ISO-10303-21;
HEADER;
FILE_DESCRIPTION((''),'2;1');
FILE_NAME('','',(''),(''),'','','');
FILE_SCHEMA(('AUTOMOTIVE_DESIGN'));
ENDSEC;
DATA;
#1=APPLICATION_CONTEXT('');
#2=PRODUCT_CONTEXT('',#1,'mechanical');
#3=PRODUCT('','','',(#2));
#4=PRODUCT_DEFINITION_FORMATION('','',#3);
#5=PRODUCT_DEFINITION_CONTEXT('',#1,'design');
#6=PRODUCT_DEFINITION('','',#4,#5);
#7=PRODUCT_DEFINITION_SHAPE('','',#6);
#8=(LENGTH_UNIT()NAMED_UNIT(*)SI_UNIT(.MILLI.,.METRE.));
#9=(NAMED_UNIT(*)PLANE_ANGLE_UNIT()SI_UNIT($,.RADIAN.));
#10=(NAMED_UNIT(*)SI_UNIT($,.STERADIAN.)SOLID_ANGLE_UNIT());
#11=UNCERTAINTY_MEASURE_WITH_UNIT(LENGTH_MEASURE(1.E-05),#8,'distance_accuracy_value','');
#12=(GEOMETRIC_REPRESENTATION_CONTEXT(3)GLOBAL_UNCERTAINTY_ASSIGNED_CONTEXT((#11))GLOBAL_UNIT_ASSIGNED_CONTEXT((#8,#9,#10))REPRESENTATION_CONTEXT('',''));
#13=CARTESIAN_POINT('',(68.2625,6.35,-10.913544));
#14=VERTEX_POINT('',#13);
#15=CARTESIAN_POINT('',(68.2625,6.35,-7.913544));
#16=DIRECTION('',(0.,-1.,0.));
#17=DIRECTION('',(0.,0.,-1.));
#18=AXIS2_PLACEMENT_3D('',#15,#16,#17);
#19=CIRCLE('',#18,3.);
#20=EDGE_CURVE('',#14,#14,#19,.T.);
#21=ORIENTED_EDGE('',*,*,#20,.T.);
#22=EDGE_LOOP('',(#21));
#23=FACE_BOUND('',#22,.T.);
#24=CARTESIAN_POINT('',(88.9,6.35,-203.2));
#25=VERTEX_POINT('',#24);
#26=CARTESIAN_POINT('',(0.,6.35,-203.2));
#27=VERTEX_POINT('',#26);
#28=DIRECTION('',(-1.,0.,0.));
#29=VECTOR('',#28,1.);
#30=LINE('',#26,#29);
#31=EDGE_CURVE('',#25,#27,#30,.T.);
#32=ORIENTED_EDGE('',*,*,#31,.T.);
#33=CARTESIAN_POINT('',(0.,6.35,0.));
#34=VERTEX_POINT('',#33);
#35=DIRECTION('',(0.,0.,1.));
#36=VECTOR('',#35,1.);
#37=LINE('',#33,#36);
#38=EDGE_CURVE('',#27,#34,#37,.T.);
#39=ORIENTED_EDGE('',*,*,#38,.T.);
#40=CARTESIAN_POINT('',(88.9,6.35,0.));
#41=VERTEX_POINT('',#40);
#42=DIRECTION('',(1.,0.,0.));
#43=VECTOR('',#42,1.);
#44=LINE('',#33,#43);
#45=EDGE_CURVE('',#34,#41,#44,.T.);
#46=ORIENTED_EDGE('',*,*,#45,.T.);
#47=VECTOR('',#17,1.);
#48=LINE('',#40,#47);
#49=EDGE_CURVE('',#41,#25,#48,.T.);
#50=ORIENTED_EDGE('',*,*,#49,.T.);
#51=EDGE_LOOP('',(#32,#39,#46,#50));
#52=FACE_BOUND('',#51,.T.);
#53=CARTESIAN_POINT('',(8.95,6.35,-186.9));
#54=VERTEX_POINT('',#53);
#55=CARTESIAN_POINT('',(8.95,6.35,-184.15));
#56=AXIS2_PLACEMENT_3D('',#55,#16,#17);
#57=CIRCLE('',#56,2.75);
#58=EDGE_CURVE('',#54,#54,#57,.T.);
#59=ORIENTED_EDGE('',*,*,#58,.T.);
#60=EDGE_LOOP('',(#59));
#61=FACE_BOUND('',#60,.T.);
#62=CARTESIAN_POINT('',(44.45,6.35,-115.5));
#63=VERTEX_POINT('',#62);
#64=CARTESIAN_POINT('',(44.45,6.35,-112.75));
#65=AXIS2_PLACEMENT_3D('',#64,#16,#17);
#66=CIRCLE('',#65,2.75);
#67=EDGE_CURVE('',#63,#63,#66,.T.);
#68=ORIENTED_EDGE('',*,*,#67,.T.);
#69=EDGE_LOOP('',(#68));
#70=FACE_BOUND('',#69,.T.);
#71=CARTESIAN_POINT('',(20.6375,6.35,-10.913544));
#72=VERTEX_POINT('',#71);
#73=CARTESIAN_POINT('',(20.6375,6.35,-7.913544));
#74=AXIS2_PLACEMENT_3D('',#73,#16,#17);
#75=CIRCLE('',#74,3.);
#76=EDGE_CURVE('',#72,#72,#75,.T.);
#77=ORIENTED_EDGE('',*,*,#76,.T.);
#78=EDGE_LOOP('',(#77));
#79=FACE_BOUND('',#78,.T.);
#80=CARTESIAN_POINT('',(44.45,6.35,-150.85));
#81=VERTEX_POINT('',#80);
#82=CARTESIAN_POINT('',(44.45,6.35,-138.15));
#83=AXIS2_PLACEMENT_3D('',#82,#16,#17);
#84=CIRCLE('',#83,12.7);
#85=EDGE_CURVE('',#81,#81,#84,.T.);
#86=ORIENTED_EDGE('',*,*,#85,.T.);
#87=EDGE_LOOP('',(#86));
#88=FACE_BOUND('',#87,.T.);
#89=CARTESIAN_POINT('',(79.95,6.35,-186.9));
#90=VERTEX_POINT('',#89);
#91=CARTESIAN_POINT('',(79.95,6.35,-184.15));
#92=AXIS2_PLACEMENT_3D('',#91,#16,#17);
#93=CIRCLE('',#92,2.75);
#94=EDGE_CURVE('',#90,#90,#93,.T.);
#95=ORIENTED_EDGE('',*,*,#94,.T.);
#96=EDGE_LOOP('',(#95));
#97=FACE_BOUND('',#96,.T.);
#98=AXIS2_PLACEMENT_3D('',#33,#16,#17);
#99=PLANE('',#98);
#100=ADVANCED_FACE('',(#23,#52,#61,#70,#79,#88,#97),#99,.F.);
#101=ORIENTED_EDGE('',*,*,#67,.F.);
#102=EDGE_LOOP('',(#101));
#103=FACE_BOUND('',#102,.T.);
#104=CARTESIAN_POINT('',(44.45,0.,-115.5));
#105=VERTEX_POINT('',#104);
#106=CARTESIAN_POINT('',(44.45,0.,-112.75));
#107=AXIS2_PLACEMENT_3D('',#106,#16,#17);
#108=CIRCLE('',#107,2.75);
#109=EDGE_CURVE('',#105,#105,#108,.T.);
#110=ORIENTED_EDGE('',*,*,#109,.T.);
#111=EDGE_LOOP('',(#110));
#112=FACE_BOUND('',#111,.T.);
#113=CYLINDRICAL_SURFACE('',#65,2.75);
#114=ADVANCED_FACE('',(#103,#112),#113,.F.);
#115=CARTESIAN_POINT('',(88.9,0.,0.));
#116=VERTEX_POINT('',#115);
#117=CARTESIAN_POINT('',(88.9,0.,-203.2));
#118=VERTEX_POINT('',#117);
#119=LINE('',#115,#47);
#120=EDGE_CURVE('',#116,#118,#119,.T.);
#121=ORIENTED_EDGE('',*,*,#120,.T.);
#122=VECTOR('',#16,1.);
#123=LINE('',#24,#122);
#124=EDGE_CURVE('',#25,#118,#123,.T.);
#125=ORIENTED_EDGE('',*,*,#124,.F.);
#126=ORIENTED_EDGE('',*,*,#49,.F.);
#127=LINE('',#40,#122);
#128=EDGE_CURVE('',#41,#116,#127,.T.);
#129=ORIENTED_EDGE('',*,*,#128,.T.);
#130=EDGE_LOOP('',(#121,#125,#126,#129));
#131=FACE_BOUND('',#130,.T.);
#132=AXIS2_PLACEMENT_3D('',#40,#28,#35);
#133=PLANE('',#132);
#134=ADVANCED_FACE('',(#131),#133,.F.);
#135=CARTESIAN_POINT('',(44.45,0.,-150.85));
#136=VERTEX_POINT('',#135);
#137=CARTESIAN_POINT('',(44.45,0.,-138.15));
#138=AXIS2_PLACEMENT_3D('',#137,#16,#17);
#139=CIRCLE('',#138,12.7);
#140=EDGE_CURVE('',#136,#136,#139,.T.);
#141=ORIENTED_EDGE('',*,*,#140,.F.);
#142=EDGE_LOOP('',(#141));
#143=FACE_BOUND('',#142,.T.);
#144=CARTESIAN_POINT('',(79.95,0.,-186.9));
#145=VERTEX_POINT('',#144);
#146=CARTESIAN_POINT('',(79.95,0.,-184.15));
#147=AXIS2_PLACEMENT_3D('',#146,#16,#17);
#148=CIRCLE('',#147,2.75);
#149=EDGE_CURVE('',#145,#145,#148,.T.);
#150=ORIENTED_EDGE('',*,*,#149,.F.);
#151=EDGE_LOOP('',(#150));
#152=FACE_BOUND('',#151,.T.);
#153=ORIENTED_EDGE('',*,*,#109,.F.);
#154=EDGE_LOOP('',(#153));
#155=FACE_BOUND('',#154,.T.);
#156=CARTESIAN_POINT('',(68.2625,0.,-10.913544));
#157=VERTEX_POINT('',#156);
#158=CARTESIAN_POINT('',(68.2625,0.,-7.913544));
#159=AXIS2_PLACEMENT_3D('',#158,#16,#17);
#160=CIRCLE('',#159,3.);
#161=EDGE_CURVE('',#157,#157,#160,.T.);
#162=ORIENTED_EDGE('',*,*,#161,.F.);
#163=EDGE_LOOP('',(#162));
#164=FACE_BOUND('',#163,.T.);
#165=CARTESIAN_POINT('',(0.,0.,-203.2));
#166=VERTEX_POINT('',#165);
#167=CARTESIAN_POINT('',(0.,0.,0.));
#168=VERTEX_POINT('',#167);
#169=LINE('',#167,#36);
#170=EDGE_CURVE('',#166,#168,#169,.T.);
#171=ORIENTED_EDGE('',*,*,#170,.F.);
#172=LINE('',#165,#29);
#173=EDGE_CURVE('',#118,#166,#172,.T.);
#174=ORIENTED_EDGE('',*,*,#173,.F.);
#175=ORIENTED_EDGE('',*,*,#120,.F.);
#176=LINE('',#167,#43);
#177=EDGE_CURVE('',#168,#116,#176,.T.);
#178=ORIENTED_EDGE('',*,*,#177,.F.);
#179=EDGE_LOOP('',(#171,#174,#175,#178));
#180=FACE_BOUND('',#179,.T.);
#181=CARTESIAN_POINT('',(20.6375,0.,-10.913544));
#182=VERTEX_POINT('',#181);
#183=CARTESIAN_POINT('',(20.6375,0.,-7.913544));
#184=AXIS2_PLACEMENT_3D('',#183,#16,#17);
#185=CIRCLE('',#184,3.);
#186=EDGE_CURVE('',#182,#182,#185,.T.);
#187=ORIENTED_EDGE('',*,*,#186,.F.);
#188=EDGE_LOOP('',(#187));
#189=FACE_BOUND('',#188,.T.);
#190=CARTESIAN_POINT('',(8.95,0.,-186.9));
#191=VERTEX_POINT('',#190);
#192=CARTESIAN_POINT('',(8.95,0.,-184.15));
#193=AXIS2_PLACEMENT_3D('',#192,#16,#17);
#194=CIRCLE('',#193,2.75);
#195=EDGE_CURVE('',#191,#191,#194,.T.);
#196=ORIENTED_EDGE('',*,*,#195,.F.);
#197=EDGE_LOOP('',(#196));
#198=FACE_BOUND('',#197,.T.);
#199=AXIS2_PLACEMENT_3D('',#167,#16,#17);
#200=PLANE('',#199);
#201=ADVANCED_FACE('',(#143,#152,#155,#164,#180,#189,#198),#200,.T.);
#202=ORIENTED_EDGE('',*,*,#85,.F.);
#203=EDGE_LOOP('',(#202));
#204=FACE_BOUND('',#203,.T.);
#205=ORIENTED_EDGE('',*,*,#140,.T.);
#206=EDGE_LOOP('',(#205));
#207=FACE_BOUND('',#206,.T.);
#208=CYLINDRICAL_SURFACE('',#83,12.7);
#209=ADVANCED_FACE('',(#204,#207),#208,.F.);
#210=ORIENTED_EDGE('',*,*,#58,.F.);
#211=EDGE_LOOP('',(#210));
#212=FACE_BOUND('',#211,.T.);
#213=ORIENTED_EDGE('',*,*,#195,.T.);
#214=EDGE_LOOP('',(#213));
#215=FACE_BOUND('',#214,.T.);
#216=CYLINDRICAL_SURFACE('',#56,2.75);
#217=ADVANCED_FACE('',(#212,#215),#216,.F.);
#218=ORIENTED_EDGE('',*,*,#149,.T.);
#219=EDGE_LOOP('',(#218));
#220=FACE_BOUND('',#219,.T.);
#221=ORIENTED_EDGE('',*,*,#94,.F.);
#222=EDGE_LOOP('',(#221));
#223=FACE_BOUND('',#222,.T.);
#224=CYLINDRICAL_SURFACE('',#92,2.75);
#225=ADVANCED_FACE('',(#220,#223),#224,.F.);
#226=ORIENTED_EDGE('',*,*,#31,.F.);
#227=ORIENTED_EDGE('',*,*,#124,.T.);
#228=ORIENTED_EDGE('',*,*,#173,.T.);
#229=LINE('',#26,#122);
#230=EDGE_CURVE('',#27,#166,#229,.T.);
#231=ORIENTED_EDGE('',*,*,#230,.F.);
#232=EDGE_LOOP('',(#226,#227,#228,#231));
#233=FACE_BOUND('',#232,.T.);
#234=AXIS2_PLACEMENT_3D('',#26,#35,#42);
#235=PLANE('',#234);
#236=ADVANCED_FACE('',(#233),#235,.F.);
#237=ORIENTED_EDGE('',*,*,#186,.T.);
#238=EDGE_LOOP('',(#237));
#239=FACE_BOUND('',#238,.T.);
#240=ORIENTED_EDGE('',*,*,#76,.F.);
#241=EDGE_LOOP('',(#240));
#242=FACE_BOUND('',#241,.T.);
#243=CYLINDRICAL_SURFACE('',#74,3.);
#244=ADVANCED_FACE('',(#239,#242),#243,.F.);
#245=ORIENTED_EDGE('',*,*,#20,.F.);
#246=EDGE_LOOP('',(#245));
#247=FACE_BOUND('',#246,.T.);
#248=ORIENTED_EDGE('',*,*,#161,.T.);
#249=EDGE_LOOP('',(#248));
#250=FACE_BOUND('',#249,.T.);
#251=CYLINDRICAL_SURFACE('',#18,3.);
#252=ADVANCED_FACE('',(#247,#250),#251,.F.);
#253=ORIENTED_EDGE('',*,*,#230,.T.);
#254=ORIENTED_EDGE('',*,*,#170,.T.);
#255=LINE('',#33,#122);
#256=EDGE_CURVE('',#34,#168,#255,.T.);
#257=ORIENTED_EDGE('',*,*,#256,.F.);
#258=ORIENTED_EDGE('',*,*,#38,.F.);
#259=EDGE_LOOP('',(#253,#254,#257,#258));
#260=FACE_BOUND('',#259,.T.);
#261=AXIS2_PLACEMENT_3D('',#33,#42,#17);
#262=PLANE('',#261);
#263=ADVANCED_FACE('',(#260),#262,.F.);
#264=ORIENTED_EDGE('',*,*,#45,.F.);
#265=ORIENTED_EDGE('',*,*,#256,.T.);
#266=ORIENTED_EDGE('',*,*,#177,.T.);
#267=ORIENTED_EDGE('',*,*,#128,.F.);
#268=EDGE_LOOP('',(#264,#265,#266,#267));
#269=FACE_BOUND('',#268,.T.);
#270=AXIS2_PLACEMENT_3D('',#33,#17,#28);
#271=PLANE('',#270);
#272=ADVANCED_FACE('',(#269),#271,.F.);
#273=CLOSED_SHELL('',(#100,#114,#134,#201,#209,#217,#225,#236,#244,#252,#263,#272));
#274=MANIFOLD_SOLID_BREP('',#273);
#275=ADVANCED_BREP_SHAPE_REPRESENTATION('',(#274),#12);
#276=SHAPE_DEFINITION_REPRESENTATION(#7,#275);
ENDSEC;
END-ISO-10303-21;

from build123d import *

# Parameters (mm, degrees)
SKETCH1_W           = 88.9
SKETCH1_H           = 203.2
BOSS_EXTRUDE1_DEPTH = 6.35
SKETCH2_R           = 3
SKETCH2_R_2         = 2.75
SKETCH2_R_3         = 12.7
CUT_EXTRUDE1_DEPTH  = 7.35


with BuildPart() as part:
    # Sketch1 → Boss-Extrude1 (new body)
    with BuildSketch(Plane(origin=(0, 0, 0), x_dir=(1, 0, 0), z_dir=(0, 1, 0))):
        with Locations((44.45, 101.6)):
            Rectangle(SKETCH1_W, SKETCH1_H)
    extrude(amount=BOSS_EXTRUDE1_DEPTH)

    # Sketch2 → Cut-Extrude1 (cut, through all)
    with BuildSketch(Plane.XZ):
        with Locations((20.6375, -7.913544442)):
            Circle(SKETCH2_R)
        with Locations((68.2625, -7.913544442)):
            Circle(SKETCH2_R)
        with Locations((44.45, -112.75)):
            Circle(SKETCH2_R_2)
        with Locations((8.95, -184.15)):
            Circle(SKETCH2_R_2)
        with Locations((79.95, -184.15)):
            Circle(SKETCH2_R_2)
        with Locations((44.45, -138.15)):
            Circle(SKETCH2_R_3)
    extrude(amount=-CUT_EXTRUDE1_DEPTH, mode=Mode.SUBTRACT)


solid = part.part
